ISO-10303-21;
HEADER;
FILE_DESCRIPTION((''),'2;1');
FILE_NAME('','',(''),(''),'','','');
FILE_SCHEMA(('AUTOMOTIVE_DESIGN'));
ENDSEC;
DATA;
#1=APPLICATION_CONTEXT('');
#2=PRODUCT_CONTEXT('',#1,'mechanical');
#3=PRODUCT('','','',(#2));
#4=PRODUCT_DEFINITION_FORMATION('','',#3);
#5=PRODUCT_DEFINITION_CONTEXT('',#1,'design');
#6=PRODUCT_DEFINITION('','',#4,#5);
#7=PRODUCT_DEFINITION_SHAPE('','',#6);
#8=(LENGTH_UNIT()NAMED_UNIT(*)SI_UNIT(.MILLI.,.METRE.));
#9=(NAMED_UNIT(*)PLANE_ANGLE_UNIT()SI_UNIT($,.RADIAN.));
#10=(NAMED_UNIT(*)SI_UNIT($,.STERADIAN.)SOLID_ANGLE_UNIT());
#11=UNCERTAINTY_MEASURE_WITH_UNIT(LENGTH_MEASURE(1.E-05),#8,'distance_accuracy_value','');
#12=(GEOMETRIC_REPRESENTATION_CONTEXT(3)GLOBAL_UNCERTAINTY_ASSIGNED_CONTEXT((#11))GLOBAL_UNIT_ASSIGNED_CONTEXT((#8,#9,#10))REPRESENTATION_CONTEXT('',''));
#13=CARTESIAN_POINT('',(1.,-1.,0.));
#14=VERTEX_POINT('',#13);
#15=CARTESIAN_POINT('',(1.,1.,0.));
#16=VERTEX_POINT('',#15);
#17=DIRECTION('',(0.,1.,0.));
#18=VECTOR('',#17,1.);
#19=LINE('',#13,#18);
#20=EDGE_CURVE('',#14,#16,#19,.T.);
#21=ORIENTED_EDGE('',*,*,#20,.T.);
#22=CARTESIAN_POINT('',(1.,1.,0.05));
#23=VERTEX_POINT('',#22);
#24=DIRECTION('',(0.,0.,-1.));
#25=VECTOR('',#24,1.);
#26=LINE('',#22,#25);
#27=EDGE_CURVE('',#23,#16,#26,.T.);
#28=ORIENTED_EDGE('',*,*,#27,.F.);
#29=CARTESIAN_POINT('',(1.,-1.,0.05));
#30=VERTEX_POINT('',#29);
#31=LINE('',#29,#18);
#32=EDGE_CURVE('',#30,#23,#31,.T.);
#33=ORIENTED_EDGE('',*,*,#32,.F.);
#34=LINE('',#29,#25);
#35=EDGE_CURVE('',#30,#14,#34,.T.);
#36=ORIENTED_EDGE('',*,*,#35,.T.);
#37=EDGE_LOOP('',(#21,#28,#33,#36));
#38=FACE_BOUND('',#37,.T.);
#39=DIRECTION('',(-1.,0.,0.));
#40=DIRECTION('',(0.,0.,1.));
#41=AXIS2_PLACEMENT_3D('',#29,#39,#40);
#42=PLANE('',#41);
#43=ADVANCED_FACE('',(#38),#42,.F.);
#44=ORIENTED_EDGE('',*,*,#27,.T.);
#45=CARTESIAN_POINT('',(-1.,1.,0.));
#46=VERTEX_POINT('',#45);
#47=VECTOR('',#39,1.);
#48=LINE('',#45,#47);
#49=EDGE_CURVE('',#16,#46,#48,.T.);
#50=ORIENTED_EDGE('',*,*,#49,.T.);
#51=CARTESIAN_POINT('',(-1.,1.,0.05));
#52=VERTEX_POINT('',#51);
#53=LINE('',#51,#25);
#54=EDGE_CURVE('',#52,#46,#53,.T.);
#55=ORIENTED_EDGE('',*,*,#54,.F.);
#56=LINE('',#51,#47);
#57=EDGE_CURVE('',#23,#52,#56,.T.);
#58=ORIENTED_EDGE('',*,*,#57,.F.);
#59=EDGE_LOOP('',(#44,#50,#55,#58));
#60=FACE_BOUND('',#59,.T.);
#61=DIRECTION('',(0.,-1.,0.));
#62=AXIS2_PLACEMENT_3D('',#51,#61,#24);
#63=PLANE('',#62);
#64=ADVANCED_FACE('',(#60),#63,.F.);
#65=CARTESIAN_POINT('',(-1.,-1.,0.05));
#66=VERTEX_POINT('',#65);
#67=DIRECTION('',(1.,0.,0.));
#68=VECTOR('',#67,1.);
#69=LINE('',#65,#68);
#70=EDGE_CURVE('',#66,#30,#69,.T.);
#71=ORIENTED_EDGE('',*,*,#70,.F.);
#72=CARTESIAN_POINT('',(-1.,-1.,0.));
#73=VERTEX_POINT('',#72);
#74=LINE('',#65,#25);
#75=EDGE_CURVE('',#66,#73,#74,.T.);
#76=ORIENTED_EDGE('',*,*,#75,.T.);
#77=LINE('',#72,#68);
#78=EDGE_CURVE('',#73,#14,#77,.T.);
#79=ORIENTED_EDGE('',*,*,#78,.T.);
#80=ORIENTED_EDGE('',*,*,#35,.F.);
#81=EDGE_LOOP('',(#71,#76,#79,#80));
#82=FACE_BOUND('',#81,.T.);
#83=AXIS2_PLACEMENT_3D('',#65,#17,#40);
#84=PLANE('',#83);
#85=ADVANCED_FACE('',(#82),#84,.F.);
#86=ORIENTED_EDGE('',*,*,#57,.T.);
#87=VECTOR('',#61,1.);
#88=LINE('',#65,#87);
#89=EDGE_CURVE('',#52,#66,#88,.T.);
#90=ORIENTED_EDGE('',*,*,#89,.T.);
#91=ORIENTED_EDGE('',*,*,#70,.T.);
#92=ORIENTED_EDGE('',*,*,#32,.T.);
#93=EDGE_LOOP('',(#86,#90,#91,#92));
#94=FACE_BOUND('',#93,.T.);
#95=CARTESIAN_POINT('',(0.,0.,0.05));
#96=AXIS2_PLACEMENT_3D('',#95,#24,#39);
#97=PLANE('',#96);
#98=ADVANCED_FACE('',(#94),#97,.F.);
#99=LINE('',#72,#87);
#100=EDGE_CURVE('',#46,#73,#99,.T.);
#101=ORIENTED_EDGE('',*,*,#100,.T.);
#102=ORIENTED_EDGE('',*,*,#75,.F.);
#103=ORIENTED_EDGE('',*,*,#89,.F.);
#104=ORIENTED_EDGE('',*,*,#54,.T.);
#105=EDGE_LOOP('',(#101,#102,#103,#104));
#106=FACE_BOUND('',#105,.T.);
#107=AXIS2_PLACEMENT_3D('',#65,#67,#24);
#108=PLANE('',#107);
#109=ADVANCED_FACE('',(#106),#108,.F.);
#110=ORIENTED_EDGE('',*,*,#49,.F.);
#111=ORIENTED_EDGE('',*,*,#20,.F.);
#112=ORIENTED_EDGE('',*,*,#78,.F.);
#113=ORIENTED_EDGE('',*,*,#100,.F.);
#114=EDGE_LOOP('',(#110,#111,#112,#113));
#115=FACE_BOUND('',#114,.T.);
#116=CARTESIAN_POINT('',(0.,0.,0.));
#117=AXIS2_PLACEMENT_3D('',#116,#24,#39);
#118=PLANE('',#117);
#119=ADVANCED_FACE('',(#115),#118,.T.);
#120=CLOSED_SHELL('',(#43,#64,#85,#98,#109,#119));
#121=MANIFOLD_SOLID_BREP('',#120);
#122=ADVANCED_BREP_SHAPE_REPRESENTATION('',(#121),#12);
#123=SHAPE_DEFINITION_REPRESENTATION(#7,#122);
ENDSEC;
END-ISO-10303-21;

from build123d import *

# Parameters (mm, degrees)
SKETCH1_W           = 2
SKETCH1_H           = 2
BOSS_EXTRUDE1_DEPTH = 0.05


with BuildPart() as part:
    # Sketch1 → Boss-Extrude1 (new body)
    with BuildSketch(Plane.XY):
        Rectangle(SKETCH1_W, SKETCH1_H)
    extrude(amount=BOSS_EXTRUDE1_DEPTH)


solid = part.part
